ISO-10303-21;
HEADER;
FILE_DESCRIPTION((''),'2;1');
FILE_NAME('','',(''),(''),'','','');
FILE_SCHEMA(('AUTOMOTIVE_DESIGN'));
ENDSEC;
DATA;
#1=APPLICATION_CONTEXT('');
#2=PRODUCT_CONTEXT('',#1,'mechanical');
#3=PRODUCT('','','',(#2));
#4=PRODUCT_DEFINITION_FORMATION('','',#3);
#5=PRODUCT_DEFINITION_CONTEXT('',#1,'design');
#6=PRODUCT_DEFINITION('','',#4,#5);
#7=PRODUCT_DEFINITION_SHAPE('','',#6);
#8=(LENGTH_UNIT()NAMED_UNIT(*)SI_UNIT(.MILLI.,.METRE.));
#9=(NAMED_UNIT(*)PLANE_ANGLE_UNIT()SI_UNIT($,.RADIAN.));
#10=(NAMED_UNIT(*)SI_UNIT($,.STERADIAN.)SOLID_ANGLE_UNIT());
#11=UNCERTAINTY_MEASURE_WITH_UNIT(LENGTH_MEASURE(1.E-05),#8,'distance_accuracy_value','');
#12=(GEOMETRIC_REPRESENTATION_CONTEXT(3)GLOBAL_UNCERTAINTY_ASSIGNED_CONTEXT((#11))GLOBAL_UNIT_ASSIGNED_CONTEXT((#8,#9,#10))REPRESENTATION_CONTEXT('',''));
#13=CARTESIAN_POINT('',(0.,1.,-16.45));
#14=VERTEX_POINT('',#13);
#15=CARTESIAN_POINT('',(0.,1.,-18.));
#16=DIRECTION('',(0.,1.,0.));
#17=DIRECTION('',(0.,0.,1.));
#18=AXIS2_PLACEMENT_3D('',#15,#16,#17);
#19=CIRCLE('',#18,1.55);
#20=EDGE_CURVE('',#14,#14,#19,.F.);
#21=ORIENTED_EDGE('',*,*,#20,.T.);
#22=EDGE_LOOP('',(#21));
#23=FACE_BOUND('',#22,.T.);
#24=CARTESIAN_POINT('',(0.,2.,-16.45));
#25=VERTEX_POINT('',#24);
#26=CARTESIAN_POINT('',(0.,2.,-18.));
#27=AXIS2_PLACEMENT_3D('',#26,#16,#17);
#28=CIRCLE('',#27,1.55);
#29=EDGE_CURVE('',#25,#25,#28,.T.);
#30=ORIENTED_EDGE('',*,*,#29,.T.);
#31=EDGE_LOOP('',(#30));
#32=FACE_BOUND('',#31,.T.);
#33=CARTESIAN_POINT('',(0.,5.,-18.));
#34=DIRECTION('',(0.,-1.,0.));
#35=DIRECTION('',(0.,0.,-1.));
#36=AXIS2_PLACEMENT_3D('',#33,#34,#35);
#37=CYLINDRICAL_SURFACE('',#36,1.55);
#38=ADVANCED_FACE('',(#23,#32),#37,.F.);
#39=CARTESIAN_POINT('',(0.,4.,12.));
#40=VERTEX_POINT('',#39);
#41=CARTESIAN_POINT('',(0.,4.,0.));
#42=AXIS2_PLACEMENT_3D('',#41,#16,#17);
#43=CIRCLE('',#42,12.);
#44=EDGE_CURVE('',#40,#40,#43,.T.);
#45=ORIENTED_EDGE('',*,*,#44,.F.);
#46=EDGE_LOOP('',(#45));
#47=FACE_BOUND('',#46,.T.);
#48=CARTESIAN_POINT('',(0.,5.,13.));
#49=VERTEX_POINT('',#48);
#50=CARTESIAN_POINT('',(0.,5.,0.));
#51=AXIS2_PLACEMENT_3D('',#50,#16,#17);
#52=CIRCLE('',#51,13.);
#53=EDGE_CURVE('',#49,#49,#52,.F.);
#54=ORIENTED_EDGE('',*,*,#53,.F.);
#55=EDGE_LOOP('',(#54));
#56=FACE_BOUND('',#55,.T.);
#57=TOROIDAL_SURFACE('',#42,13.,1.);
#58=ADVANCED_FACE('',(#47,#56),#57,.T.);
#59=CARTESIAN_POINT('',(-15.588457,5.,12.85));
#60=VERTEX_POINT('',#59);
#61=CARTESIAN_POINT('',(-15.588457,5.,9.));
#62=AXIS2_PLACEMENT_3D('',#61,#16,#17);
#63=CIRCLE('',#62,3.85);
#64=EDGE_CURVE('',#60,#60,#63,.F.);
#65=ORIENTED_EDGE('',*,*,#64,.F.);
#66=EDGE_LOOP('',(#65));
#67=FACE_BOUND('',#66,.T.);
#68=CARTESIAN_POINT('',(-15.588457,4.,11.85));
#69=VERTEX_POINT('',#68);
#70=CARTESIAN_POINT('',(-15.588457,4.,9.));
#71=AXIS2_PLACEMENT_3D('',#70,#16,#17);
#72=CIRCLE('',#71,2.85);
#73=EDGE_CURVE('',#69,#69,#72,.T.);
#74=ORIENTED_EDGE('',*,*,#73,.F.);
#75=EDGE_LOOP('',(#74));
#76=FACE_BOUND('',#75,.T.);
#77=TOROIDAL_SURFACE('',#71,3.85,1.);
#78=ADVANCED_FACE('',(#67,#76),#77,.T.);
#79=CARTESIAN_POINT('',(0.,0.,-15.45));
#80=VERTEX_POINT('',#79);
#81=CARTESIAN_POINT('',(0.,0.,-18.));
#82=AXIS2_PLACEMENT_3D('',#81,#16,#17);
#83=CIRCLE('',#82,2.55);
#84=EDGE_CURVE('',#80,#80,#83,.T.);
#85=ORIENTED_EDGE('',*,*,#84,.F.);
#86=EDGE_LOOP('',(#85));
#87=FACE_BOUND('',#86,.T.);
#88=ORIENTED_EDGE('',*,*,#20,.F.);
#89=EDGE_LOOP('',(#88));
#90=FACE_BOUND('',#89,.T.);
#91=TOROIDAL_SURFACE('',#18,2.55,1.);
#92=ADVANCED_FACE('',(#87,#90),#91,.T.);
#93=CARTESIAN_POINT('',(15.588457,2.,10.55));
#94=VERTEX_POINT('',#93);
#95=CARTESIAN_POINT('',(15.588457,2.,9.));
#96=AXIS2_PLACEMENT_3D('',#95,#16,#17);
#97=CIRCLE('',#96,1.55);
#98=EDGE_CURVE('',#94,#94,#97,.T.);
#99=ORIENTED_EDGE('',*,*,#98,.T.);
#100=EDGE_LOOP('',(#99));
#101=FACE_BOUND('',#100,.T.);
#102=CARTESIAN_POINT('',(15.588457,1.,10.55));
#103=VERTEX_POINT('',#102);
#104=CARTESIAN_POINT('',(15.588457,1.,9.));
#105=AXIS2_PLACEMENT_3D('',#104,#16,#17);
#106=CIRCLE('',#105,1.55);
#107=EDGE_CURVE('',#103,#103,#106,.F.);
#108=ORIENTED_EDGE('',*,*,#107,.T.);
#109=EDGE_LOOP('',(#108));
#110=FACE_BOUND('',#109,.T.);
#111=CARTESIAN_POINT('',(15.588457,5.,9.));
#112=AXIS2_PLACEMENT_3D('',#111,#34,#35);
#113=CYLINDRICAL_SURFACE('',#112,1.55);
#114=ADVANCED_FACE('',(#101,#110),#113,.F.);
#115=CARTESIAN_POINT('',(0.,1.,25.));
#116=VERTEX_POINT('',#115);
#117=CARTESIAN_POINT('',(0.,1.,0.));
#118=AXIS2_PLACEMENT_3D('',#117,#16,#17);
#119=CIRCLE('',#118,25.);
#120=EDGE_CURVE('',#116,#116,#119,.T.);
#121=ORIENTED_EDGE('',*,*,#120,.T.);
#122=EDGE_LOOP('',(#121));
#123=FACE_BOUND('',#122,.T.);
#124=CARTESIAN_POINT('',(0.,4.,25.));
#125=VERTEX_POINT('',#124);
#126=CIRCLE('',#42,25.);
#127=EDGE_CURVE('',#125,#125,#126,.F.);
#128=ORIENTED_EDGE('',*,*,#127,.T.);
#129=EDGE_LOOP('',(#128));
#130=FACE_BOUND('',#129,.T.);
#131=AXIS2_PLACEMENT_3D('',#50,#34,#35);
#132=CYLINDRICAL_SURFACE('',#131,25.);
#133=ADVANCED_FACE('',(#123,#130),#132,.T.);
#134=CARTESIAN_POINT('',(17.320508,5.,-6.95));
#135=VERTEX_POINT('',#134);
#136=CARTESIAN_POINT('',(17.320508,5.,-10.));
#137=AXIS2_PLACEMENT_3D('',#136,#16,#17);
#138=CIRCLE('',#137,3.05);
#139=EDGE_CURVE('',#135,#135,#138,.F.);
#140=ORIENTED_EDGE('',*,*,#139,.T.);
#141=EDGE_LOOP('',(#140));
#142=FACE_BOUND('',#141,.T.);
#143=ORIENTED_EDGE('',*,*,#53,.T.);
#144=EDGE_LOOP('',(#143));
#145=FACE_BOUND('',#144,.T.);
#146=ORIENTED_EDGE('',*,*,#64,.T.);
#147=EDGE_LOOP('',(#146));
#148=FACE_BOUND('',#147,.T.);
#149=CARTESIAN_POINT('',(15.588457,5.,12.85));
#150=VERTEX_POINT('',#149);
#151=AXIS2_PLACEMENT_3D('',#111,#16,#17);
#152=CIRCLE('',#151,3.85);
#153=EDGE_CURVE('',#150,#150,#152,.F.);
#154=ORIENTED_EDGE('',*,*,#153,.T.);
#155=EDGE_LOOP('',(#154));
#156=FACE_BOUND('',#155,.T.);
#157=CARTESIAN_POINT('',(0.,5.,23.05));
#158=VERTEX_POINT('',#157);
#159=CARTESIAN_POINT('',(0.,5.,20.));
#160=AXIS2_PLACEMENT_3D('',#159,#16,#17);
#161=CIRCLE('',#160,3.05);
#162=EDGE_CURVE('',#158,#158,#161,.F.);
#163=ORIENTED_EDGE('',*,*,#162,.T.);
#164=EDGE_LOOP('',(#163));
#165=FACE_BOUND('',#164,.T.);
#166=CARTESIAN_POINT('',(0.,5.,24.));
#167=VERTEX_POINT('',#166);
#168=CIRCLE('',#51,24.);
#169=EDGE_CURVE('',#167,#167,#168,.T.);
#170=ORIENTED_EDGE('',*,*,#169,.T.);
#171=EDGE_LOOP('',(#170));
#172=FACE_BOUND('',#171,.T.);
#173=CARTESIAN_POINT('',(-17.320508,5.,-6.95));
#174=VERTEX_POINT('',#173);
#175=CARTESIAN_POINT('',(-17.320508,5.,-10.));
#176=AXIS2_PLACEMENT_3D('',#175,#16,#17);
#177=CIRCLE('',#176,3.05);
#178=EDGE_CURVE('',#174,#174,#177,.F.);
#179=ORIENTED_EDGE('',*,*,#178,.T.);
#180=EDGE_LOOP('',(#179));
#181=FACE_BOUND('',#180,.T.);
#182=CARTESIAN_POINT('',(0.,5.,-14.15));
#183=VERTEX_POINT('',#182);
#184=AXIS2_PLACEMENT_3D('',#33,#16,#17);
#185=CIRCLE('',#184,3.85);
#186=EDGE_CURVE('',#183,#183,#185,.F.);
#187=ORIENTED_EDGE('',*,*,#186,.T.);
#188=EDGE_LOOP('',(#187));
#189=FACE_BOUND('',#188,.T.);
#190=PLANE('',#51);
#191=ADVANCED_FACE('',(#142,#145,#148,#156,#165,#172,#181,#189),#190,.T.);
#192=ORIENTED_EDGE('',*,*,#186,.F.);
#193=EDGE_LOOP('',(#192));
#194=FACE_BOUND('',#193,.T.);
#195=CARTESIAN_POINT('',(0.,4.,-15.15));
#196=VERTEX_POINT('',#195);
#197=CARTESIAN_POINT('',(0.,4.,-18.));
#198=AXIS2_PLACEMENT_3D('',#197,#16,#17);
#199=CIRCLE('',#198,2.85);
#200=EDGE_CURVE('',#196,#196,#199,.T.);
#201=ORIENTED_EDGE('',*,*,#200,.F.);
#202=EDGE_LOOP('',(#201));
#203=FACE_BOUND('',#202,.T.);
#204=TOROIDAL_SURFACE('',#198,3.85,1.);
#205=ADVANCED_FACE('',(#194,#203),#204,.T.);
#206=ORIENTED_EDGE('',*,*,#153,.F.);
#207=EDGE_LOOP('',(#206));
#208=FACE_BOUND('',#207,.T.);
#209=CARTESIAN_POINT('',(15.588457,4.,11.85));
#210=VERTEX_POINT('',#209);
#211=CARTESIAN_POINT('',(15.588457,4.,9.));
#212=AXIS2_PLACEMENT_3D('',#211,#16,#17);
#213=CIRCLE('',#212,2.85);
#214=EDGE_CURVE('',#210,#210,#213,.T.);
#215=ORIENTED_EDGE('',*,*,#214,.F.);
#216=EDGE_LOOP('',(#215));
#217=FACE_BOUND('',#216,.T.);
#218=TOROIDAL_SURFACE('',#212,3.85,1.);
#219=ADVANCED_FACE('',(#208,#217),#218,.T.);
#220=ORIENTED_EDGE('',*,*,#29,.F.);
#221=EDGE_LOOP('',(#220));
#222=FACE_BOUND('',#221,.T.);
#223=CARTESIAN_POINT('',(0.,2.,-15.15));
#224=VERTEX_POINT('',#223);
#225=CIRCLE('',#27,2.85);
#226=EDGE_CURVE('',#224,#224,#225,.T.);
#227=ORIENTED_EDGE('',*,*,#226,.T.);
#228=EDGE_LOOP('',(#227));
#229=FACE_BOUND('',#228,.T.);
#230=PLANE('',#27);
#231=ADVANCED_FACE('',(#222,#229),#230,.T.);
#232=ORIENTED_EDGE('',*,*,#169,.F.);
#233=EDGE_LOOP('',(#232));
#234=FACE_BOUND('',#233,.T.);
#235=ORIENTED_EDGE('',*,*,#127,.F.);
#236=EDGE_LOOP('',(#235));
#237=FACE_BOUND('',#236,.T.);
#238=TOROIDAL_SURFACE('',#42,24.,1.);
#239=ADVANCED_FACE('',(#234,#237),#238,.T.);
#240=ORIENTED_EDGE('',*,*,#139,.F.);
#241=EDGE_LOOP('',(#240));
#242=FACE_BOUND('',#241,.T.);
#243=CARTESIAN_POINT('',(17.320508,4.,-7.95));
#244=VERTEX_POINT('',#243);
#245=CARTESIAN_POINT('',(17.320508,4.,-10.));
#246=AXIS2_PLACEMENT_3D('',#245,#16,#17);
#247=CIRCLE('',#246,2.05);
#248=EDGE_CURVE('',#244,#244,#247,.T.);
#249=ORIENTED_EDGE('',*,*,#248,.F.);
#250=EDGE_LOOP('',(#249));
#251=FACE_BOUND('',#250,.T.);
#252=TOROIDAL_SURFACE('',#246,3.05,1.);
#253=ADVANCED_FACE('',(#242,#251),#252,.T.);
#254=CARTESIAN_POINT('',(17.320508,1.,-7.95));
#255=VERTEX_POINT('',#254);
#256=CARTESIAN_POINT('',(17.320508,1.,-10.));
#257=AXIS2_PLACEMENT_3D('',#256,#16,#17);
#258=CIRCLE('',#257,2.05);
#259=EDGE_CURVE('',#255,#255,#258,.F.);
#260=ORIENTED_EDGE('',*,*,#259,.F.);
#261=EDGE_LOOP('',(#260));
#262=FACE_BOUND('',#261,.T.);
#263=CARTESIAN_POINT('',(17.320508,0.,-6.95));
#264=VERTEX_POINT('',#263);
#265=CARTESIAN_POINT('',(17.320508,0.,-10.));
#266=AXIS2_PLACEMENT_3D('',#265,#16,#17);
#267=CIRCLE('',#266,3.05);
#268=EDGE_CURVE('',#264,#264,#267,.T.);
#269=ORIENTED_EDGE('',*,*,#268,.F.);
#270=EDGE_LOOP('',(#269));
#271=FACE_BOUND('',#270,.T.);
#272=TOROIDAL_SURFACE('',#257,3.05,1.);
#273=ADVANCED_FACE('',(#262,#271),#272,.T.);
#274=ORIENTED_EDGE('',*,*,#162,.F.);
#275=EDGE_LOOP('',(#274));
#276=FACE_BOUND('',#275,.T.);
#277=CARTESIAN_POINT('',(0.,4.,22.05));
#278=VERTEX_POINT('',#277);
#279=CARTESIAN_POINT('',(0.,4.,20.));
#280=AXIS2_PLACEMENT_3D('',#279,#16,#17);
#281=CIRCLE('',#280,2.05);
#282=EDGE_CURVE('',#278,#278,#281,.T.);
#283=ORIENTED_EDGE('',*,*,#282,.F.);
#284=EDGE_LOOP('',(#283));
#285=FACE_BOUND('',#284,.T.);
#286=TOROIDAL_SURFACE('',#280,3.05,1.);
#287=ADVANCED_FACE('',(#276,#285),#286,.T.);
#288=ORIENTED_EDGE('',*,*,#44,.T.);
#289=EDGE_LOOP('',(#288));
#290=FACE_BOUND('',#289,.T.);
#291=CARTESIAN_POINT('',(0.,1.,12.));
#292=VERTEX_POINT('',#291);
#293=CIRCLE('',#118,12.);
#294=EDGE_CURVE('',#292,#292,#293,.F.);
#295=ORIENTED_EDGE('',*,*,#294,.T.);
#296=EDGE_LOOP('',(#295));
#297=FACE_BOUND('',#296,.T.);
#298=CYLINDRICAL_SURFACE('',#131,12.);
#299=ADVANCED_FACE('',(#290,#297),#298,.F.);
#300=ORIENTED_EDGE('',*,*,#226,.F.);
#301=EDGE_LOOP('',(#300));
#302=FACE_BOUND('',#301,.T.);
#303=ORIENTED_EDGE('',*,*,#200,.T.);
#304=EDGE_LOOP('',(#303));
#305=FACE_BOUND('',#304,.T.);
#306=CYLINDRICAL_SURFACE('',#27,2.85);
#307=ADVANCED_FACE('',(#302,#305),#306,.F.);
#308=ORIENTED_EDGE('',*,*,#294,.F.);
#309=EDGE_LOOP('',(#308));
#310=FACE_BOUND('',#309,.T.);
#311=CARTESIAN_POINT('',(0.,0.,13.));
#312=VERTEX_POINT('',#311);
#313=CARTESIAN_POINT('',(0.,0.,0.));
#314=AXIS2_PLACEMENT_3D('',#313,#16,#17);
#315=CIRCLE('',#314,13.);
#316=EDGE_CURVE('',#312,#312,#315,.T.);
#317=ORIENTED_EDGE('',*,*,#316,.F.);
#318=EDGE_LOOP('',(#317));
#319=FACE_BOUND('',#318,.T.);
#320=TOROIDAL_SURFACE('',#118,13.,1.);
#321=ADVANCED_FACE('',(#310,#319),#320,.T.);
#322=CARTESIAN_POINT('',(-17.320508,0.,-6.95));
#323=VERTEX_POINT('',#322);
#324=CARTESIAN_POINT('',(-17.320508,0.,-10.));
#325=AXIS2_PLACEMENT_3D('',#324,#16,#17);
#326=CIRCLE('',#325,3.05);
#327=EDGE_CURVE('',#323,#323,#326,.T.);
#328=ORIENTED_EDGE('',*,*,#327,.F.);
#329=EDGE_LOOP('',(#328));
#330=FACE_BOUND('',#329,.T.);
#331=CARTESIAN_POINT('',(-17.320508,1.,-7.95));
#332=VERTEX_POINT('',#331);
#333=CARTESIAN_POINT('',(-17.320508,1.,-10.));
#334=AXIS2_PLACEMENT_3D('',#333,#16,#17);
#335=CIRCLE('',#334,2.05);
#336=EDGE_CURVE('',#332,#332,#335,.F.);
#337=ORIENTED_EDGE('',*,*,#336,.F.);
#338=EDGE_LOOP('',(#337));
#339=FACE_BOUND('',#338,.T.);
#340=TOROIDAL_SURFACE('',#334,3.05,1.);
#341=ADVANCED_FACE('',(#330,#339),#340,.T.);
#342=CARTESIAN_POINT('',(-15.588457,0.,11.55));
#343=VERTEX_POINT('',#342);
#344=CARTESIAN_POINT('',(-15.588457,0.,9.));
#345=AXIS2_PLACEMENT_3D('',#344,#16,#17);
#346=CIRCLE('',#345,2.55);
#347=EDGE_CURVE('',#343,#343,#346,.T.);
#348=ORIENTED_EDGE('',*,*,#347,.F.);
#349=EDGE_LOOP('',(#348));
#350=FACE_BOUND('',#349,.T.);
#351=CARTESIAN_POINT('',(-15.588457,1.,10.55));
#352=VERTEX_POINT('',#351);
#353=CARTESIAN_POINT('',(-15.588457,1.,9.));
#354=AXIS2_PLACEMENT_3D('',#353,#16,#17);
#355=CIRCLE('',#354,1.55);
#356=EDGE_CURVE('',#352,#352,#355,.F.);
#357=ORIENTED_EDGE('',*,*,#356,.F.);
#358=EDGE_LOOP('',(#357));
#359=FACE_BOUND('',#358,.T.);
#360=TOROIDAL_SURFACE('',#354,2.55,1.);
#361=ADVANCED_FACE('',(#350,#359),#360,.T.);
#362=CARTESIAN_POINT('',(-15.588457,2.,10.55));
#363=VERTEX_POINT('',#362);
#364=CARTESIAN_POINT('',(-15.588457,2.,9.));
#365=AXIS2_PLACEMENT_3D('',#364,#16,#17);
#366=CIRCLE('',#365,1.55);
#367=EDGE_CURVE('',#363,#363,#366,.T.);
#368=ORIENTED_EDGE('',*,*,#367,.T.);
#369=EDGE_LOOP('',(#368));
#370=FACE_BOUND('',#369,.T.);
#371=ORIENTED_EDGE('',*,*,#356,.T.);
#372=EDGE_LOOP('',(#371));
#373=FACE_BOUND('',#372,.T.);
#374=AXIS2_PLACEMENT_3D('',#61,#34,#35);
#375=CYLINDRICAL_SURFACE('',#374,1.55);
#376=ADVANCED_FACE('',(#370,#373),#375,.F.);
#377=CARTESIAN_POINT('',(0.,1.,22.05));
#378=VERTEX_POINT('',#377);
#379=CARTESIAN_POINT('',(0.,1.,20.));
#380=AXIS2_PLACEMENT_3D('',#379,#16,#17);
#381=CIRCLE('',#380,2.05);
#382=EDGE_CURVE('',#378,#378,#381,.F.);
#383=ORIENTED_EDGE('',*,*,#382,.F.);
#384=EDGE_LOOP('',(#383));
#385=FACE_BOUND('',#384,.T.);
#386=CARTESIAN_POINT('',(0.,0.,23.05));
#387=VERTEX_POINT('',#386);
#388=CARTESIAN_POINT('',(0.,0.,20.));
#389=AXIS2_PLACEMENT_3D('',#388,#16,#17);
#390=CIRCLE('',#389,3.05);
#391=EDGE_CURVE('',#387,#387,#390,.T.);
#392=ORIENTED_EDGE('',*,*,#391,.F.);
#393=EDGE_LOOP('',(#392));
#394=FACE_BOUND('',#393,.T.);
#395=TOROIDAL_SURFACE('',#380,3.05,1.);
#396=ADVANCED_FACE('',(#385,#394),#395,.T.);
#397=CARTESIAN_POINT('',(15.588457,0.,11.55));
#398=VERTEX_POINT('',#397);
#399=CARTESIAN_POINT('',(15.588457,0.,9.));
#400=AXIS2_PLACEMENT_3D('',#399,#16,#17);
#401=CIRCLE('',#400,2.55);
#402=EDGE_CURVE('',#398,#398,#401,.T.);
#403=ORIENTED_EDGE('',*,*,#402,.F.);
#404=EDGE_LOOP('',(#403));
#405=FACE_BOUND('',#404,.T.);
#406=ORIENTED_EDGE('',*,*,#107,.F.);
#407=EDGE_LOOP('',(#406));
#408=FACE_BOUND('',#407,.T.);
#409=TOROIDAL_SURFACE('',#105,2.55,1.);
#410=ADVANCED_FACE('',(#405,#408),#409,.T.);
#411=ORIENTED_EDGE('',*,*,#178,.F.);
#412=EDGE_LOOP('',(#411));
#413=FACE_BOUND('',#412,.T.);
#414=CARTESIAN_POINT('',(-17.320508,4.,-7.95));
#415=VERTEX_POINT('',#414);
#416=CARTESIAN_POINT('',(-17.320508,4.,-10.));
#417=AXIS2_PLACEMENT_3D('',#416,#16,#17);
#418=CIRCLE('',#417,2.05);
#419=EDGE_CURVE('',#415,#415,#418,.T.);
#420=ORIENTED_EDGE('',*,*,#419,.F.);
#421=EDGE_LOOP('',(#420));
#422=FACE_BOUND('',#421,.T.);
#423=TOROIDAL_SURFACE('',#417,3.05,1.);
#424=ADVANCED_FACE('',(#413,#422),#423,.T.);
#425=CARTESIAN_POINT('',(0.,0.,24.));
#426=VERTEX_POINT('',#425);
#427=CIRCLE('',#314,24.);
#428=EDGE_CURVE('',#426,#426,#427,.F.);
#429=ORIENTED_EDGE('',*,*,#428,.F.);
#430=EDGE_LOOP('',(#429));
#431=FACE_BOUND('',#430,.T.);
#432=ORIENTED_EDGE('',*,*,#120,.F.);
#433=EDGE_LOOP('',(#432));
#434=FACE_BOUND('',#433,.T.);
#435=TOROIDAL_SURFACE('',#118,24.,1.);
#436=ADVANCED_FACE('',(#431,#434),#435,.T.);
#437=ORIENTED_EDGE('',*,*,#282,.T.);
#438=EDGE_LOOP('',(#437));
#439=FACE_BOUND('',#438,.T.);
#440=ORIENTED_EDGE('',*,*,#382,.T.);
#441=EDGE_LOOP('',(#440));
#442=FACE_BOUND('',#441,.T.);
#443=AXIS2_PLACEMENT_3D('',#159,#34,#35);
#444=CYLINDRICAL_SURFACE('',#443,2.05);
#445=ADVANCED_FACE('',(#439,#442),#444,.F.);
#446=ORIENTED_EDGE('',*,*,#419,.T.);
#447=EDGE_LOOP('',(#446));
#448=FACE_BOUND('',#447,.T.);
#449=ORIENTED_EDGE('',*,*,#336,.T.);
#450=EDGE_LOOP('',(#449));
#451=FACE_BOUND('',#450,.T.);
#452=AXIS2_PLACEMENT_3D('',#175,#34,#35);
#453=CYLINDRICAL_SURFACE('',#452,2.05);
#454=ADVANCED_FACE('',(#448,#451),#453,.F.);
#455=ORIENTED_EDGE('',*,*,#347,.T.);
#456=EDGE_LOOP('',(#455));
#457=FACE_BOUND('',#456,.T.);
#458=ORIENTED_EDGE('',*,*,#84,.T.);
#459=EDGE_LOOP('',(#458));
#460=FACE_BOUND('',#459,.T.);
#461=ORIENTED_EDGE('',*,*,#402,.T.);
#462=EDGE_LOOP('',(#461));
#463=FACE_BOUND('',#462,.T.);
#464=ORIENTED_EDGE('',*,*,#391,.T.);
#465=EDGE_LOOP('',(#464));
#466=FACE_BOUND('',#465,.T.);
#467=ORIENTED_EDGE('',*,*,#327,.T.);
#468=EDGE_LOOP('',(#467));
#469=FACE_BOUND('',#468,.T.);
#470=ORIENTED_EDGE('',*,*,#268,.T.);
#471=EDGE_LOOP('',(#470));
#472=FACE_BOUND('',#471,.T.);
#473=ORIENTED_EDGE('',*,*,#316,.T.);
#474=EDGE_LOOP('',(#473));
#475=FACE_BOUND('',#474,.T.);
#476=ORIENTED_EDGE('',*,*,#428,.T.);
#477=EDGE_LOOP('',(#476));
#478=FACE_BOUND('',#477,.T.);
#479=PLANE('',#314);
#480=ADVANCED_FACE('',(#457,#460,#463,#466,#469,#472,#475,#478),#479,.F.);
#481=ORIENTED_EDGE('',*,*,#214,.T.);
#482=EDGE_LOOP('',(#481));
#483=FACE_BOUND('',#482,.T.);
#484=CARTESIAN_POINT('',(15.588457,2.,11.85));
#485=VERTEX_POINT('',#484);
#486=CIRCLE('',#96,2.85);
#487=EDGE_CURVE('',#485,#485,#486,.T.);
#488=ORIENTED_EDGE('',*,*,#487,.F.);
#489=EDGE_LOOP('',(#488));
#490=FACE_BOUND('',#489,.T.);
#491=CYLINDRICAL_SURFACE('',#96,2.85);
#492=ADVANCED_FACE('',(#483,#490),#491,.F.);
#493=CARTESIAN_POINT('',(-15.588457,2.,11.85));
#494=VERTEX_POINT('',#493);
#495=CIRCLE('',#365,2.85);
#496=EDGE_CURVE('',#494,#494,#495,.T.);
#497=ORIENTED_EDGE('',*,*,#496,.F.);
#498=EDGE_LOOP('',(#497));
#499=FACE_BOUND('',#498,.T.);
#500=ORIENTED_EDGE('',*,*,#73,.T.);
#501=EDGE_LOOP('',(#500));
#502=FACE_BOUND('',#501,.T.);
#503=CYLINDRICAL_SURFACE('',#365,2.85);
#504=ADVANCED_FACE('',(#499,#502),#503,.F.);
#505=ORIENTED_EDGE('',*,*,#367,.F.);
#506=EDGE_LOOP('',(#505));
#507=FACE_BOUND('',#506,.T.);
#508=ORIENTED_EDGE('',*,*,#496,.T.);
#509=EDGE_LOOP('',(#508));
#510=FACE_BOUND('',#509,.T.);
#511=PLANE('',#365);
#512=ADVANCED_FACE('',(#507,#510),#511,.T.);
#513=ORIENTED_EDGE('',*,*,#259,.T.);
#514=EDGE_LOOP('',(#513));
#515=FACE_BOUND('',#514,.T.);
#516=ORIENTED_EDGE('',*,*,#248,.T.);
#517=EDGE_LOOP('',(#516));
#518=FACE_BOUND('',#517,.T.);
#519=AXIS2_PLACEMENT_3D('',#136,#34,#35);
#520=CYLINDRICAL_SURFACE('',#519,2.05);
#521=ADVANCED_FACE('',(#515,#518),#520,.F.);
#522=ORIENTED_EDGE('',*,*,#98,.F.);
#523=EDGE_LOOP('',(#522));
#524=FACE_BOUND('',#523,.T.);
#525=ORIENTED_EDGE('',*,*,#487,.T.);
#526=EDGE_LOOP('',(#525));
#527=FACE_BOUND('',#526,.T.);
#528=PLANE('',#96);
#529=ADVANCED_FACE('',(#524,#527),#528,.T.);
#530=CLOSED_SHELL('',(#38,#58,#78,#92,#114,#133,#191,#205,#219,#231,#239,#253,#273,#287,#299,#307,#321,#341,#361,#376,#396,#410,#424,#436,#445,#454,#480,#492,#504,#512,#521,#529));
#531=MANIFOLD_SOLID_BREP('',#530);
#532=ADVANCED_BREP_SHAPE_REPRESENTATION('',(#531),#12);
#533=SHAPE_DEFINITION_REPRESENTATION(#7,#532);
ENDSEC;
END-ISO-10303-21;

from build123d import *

# Parameters (mm, degrees)
SKETCH1_R           = 25
SKETCH1_R_2         = 12
SKETCH1_R_3         = 1.55
SKETCH1_R_4         = 2.05
BOSS_EXTRUDE1_DEPTH = 5
SKETCH2_R           = 2.85
CUT_EXTRUDE1_DEPTH  = 3
FILLET1_R           = 1


with BuildPart() as part:
    # Sketch1 → Boss-Extrude1 (new body)
    with BuildSketch(Plane(origin=(0, 0, 0), x_dir=(1, 0, 0), z_dir=(0, 1, 0))):
        with Locations(Location((0, 0, 0), (0, 0, 270))):
            Circle(SKETCH1_R)
        with Locations(Location((0, 0, 0), (0, 0, 270))):
            Circle(SKETCH1_R_2, mode=Mode.SUBTRACT)
        with Locations(Location((0, 18, 0), (0, 0, 270))):
            Circle(SKETCH1_R_3, mode=Mode.SUBTRACT)
        with Locations(Location((15.588457268, -9, 0), (0, 0, 270))):
            Circle(SKETCH1_R_3, mode=Mode.SUBTRACT)
        with Locations(Location((-15.588457268, -9, 0), (0, 0, 270))):
            Circle(SKETCH1_R_3, mode=Mode.SUBTRACT)
        with Locations(Location((0, -20, 0), (0, 0, 270))):
            Circle(SKETCH1_R_4, mode=Mode.SUBTRACT)
        with Locations(Location((-17.320508076, 10, 0), (0, 0, 270))):
            Circle(SKETCH1_R_4, mode=Mode.SUBTRACT)
        with Locations(Location((17.320508076, 10, 0), (0, 0, 270))):
            Circle(SKETCH1_R_4, mode=Mode.SUBTRACT)
    extrude(amount=BOSS_EXTRUDE1_DEPTH)

    # Sketch2 → Cut-Extrude1 (cut)
    with BuildSketch(Plane(origin=(0, 5, 0), x_dir=(1, 0, 0), z_dir=(0, 1, 0))):
        with Locations(Location((0, 18, 0), (0, 0, 270))):
            Circle(SKETCH2_R)
        with Locations(Location((15.588457268, -9, 0), (0, 0, 270))):
            Circle(SKETCH2_R)
        with Locations(Location((-15.588457268, -9, 0), (0, 0, 270))):
            Circle(SKETCH2_R)
    extrude(amount=-CUT_EXTRUDE1_DEPTH, mode=Mode.SUBTRACT)

    # Fillet1
    fillet1_edges = [part.edges().sort_by_distance(p)[0] for p in [
        (0, 0, 17.95),
        (0, 5, 17.95),
        (15.588457268, 0, 7.45),
        (0, 0, -25),
        (-15.588457268, 0, 7.45),
        (-17.320508076, 0, -12.05),
        (-17.320508076, 5, -12.05),
        (17.320508076, 0, -12.05),
        (17.320508076, 5, -12.05),
        (0, 5, -20.85),
        (0, 5, -25),
        (15.588457268, 5, 6.15),
        (-15.588457268, 5, 6.15),
        (0, 0, -12),
        (0, 5, -12),
        (0, 0, -19.55),
    ]]
    fillet(fillet1_edges, radius=FILLET1_R)


solid = part.part
